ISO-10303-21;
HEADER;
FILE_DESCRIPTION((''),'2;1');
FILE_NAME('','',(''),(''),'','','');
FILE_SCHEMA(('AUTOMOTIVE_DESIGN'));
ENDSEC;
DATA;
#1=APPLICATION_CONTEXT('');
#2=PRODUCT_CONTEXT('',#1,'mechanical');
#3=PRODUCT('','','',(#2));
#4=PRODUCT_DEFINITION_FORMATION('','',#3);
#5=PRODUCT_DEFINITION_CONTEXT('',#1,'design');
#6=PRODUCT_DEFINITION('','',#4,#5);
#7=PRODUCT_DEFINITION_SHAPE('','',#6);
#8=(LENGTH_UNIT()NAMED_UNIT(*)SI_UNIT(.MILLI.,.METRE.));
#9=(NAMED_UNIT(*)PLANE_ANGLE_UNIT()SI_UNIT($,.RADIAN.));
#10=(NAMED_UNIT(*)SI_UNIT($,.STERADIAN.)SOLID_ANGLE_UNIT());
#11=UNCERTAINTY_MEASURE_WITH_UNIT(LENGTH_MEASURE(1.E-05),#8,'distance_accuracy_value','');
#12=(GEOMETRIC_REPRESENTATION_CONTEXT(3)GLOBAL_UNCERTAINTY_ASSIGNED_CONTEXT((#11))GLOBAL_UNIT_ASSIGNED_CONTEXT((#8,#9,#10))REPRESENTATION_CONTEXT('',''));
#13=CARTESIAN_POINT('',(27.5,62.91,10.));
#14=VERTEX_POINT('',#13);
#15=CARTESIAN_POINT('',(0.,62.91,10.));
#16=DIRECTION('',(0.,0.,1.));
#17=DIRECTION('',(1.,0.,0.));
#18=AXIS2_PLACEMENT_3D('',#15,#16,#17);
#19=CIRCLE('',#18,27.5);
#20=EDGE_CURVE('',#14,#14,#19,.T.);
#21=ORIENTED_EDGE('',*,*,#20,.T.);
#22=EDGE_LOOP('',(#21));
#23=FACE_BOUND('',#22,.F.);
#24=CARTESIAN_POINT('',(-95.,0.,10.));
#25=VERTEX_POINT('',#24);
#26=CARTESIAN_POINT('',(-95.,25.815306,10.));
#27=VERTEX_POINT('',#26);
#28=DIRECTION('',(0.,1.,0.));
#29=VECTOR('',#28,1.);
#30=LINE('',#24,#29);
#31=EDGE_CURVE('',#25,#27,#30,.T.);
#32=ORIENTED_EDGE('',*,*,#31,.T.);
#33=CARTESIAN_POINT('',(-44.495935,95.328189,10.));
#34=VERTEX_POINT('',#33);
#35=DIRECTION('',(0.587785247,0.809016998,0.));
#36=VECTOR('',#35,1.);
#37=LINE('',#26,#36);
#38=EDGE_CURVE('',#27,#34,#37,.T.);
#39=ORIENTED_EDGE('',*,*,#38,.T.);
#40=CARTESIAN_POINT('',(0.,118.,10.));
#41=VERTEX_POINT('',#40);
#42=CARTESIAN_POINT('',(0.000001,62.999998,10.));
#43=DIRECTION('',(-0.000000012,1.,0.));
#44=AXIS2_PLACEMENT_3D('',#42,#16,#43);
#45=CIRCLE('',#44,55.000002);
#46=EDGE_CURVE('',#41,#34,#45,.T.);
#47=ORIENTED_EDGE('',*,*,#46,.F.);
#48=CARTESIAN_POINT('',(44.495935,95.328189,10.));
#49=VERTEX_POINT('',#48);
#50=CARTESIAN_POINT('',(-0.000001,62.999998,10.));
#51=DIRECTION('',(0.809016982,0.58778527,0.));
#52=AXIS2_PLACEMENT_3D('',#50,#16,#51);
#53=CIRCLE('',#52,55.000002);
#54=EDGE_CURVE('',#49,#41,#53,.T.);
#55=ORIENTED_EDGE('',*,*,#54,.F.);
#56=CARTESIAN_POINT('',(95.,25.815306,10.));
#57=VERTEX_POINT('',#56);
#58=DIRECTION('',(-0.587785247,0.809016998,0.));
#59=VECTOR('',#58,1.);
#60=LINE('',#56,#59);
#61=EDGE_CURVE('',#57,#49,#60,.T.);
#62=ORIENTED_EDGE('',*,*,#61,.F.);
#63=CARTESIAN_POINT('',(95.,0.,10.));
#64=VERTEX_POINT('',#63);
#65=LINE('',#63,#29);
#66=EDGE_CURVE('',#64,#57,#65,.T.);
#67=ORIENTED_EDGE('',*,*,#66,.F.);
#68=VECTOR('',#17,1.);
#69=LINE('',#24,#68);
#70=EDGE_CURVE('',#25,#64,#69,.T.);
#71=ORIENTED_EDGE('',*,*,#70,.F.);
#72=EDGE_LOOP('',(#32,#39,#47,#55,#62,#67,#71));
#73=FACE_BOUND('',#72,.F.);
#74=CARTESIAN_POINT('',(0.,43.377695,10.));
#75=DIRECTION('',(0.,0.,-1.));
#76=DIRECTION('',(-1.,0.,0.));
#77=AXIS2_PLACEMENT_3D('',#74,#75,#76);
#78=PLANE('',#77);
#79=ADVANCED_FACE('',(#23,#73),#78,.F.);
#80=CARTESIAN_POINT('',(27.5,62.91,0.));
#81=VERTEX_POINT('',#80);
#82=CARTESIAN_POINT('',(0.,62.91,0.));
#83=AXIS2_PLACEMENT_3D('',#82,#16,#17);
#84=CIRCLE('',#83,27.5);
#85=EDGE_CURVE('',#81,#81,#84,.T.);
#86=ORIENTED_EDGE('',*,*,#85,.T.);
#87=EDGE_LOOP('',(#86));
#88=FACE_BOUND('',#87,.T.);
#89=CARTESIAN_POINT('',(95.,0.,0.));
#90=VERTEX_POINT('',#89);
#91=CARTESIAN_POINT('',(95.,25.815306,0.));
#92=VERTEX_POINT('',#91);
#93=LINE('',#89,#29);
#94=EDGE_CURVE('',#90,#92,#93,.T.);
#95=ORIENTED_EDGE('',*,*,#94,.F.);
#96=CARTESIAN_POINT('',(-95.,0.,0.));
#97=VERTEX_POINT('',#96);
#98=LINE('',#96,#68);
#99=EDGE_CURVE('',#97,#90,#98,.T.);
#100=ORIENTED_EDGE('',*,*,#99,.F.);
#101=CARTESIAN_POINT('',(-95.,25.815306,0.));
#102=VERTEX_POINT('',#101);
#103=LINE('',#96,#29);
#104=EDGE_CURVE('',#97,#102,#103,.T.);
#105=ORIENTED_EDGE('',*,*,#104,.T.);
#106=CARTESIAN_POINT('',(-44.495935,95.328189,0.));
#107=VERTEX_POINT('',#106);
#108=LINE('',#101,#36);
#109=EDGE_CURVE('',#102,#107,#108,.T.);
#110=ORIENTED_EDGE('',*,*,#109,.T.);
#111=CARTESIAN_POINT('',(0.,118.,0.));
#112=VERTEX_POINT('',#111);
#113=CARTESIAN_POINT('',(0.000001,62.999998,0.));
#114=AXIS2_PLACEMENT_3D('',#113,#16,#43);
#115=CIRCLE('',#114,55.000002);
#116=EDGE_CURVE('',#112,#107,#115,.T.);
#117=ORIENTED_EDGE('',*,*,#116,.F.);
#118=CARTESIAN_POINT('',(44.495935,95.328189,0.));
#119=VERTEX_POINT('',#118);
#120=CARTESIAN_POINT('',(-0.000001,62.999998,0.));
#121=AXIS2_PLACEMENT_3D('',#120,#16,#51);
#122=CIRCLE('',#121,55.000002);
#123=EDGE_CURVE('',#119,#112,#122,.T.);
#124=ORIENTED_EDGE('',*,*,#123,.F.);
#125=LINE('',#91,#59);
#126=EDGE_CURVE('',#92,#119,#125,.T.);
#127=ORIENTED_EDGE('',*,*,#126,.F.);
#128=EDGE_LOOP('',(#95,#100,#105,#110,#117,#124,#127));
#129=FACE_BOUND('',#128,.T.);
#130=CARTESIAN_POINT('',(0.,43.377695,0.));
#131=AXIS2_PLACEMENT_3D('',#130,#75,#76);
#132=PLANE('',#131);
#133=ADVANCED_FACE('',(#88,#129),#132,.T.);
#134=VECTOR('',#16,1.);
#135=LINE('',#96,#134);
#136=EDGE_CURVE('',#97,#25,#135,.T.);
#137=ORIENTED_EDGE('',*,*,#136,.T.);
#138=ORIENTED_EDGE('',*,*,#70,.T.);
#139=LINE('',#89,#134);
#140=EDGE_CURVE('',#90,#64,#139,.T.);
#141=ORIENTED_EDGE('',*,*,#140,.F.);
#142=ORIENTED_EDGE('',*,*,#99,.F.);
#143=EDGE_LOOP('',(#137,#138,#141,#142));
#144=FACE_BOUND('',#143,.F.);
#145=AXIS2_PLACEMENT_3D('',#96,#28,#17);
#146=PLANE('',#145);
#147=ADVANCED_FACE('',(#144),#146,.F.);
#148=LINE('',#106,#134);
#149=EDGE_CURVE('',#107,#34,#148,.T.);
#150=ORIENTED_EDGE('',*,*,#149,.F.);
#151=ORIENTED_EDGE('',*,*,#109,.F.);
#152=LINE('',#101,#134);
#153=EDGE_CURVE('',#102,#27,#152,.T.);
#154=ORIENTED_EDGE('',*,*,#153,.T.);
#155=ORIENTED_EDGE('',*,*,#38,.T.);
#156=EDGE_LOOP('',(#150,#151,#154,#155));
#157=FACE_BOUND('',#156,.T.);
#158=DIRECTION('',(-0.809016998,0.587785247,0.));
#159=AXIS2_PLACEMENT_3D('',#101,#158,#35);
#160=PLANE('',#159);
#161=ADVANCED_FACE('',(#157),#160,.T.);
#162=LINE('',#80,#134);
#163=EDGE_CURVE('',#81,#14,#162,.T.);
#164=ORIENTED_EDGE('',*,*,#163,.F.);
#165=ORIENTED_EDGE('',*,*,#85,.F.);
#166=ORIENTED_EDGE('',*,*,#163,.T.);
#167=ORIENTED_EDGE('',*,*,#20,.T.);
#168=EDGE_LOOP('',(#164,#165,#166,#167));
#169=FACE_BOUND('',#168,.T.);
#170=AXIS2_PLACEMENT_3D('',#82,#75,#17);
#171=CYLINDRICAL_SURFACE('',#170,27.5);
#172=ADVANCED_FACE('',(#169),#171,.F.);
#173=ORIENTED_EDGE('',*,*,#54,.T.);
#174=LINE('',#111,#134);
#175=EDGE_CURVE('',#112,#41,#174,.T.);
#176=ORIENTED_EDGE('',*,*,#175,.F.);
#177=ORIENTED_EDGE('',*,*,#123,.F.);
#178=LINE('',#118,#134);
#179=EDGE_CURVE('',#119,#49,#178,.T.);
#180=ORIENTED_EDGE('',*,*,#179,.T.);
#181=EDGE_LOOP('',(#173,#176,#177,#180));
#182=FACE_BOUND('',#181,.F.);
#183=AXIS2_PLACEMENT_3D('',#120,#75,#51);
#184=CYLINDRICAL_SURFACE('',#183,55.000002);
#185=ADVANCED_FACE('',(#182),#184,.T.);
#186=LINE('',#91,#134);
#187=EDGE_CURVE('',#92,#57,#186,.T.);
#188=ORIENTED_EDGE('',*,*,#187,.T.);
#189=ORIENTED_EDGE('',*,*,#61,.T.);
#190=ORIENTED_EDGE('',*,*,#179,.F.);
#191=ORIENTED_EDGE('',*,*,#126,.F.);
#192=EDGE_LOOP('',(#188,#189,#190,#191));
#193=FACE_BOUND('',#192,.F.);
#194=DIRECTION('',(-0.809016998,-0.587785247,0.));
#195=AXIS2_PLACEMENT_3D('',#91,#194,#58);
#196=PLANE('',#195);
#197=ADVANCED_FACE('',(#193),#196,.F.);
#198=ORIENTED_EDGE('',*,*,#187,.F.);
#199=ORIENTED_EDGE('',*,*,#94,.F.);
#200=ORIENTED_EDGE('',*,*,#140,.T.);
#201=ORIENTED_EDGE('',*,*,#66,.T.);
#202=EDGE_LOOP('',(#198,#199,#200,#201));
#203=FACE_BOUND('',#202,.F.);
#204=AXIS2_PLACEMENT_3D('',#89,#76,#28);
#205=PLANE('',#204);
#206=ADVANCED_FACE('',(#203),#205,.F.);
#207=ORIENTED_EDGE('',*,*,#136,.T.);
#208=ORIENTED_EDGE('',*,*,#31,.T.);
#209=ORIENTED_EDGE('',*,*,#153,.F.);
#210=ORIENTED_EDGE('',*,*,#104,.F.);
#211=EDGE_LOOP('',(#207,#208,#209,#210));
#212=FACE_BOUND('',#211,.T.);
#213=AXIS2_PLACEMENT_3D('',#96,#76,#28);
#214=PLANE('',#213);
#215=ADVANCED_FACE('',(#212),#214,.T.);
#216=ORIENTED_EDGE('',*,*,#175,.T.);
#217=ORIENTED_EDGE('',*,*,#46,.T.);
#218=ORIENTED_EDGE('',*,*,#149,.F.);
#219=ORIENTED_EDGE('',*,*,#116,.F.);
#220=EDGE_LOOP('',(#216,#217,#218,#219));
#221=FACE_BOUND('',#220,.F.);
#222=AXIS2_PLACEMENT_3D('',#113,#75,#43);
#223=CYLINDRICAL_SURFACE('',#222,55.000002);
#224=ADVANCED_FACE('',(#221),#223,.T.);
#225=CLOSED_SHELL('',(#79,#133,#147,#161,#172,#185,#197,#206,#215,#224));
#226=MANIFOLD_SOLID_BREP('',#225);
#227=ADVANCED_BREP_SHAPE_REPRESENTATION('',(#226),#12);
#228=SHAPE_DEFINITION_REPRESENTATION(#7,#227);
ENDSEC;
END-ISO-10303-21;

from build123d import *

# Parameters (mm, degrees)
SKETCH_R  = 27.5
PAD_DEPTH = 10


with BuildPart() as part:
    # Sketch → Pad (new body)
    with BuildSketch(Plane.XY):
        with BuildLine():
            Line((-95, 0), (-95, 25.815306))
            Line((-95, 25.815306), (-44.495935, 95.328189))
            ThreePointArc((0, 118), (-24.969477, 112.005359), (-44.495935, 95.328189))
            ThreePointArc((44.495935, 95.328189), (24.969477, 112.005359), (0, 118))
            Line((95, 25.815306), (44.495935, 95.328189))
            Line((95, 0), (95, 25.815306))
            Line((-95, 0), (95, 0))
        make_face()
        with Locations((0, 62.91)):
            Circle(SKETCH_R, mode=Mode.SUBTRACT)
    extrude(amount=PAD_DEPTH)


solid = part.part
